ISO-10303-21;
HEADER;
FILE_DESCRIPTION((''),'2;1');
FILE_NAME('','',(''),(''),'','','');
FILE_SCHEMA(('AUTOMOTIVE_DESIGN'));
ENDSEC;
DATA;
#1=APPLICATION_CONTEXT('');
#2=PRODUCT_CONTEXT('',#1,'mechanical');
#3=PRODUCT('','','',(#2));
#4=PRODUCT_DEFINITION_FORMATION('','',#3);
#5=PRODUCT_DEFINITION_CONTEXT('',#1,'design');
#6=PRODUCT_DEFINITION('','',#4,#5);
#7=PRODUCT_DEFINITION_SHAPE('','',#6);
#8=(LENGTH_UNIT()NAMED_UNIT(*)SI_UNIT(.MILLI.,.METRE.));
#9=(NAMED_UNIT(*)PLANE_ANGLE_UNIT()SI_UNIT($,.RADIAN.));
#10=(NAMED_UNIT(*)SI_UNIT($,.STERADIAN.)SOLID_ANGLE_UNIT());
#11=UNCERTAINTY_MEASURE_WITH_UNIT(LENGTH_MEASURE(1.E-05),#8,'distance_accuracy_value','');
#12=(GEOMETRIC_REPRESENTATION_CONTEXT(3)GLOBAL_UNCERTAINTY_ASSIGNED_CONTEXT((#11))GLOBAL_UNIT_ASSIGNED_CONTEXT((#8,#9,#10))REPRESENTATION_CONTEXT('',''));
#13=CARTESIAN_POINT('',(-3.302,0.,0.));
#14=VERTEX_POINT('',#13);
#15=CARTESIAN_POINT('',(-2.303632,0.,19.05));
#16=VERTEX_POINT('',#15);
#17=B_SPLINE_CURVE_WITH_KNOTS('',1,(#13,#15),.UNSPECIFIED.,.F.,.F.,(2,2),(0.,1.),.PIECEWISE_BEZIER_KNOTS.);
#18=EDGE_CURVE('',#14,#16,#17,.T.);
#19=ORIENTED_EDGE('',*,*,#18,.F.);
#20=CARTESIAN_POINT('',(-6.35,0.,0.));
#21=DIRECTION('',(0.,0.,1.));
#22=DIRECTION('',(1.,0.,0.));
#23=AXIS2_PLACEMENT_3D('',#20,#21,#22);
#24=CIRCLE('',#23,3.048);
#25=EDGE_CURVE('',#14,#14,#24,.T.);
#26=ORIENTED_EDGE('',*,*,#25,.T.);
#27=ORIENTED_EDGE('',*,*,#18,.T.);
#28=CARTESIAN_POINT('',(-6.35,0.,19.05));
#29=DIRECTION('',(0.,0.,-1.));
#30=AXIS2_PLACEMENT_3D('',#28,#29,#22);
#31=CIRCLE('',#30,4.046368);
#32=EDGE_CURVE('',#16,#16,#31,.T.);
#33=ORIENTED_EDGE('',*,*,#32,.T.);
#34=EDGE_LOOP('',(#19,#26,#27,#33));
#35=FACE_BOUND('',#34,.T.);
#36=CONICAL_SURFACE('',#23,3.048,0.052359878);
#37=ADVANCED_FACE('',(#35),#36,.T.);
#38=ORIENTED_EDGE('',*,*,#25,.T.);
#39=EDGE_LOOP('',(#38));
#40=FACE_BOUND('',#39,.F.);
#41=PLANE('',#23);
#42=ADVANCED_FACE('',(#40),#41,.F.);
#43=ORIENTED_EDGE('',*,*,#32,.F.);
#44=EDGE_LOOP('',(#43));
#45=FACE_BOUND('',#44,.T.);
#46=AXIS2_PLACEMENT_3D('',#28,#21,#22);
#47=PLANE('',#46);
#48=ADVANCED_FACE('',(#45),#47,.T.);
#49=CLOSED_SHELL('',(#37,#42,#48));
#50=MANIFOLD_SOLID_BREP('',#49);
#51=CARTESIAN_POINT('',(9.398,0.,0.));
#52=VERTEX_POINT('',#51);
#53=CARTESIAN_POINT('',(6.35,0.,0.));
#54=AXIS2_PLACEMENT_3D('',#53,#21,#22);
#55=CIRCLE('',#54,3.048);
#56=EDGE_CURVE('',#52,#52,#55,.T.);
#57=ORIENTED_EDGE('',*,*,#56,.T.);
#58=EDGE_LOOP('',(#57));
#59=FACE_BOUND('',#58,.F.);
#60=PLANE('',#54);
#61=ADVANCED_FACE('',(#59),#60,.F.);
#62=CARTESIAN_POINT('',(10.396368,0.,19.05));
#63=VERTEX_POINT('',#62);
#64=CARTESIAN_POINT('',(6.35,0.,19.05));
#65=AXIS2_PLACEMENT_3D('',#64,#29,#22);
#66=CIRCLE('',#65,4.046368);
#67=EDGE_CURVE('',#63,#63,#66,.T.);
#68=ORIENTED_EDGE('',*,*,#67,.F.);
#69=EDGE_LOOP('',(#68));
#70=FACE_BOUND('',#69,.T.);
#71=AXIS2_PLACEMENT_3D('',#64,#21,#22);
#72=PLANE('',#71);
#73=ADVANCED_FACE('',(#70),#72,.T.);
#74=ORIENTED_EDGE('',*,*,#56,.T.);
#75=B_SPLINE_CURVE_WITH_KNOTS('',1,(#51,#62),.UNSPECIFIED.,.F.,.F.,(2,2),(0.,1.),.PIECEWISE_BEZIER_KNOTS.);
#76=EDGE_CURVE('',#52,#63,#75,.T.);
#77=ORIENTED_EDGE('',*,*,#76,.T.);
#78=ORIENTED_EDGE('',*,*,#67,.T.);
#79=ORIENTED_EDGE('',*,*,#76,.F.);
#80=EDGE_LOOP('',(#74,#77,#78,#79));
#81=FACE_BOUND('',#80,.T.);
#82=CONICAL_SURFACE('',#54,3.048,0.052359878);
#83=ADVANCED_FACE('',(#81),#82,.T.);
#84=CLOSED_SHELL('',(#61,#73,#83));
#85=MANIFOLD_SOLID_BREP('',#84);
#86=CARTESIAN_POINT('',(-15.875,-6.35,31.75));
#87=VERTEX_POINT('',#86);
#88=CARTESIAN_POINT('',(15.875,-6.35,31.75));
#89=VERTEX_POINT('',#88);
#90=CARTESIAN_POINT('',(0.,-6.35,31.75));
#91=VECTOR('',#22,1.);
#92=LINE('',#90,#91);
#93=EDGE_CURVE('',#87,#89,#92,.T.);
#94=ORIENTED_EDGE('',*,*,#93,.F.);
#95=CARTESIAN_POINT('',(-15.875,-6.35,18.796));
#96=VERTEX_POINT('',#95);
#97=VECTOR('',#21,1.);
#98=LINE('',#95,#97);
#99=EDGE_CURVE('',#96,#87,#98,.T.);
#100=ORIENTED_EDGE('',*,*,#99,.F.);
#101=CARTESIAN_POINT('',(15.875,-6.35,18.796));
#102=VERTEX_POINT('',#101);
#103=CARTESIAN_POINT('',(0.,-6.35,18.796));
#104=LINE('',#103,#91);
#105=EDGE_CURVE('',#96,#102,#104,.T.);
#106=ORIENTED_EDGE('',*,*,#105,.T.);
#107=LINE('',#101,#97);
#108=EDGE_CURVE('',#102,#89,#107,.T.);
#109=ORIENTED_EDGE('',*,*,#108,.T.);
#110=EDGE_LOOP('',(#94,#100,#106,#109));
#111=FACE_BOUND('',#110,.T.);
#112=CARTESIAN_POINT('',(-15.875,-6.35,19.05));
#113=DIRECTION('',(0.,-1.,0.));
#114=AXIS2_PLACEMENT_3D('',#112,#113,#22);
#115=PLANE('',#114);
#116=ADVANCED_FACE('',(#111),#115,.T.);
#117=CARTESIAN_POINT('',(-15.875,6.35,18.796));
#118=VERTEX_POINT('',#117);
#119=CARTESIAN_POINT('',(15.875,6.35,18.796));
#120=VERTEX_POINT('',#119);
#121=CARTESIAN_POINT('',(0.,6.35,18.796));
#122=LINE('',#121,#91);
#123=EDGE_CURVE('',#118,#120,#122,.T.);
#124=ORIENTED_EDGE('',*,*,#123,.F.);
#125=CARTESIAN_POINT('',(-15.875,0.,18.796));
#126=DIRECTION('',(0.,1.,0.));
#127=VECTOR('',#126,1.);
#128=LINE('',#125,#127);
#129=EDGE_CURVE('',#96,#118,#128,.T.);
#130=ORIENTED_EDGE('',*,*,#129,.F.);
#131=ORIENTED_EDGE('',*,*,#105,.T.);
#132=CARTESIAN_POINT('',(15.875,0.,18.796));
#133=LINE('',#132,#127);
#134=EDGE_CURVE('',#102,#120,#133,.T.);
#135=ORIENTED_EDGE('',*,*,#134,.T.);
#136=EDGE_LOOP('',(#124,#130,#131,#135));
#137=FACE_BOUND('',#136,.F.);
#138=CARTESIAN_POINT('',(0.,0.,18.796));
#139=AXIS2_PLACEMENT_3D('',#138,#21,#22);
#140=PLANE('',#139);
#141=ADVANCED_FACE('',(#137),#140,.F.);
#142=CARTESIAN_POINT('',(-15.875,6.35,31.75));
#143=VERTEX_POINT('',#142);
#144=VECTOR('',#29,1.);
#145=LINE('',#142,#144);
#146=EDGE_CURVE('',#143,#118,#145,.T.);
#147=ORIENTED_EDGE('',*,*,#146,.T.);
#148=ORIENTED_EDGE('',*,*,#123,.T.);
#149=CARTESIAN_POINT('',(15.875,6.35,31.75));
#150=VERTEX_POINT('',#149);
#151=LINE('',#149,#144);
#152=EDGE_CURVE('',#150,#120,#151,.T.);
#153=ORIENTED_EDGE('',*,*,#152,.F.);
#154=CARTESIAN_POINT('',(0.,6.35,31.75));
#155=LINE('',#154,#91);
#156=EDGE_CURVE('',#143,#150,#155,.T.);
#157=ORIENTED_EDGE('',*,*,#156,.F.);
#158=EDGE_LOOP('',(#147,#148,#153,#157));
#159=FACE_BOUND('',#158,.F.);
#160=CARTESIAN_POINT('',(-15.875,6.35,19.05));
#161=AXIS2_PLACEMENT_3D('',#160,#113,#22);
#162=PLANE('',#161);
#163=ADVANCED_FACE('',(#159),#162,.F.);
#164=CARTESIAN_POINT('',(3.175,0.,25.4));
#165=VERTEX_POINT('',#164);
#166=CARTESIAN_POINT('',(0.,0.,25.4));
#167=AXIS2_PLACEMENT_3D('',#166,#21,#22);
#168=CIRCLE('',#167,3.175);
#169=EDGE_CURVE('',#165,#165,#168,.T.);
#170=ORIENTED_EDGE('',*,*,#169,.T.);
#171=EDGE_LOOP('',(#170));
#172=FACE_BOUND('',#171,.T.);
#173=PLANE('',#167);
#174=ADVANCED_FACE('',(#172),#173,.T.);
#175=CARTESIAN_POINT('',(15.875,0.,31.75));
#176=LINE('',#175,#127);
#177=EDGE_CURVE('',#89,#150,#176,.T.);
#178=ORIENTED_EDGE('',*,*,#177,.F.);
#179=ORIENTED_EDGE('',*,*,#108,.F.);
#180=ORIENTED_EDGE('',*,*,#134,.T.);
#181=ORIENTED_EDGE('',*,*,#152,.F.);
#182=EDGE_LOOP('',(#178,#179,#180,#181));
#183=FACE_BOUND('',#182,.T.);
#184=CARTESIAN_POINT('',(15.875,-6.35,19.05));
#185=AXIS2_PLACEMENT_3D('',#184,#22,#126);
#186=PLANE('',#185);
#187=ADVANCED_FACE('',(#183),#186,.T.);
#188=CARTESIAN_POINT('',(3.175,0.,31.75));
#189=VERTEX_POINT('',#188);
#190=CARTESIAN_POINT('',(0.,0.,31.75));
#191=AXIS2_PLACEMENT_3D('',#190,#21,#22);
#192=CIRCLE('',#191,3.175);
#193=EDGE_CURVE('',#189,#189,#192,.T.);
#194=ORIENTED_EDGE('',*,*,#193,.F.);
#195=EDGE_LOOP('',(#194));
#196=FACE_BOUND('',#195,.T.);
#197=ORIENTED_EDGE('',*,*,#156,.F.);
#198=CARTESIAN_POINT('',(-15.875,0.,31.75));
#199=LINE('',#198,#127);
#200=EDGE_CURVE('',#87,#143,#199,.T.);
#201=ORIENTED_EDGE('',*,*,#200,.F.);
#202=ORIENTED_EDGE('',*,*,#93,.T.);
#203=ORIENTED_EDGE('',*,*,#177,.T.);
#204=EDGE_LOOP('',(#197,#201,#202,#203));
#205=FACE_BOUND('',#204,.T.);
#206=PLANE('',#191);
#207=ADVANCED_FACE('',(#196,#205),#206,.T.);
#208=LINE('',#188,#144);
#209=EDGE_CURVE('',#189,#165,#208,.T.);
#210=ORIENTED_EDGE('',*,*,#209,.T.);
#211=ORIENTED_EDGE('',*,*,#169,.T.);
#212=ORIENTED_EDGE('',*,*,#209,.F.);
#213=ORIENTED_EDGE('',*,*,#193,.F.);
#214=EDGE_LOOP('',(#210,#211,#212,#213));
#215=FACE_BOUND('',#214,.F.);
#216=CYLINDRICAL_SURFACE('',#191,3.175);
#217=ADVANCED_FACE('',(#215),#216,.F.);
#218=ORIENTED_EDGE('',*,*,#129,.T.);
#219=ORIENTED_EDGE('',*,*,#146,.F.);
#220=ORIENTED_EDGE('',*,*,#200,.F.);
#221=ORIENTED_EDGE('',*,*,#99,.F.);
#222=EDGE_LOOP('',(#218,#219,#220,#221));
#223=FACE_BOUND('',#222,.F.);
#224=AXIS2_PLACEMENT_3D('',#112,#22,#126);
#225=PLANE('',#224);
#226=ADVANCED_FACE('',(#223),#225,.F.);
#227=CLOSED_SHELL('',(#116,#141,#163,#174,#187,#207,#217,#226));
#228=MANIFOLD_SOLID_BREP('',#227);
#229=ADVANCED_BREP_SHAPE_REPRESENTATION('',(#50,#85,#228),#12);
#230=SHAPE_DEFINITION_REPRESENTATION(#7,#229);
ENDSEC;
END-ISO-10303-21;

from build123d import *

# Parameters (mm, degrees)
F0_R          = 3.048
F1_DEPTH      = 19.05
F1_TAPER      = -3
F2_W          = 31.75
F2_H          = 12.7
F3_DEPTH      = 12.7
F3_DEPTH_BACK = 0.254
F4_R          = 3.175
F5_DEPTH      = 6.35


with BuildPart() as f1:
    # F0 (on Top) → F1 (new body)
    with BuildSketch(Plane.XY):
        with Locations((6.35, 0)):
            Circle(F0_R)
    extrude(amount=F1_DEPTH, taper=F1_TAPER)


with BuildPart() as f1b:
    # F0 (on Top) → F1, piece 2 (new body)
    with BuildSketch(Plane.XY):
        with Locations((-6.35, 0)):
            Circle(F0_R)
    extrude(amount=F1_DEPTH, taper=F1_TAPER)


with BuildPart() as f3:
    # F2 (on face) → F3 (new body, two sides)
    with BuildSketch(Plane.XY.offset(19.05)) as f3_sk:
        Rectangle(F2_W, F2_H)
    extrude(amount=F3_DEPTH)
    extrude(f3_sk.sketch, amount=-F3_DEPTH_BACK)

    # F4 (on face) → F5 (cut)
    with BuildSketch(Plane.XY.offset(31.75)):
        Circle(F4_R)
    extrude(amount=-F5_DEPTH, mode=Mode.SUBTRACT)


solid = Compound([f1.part, f1b.part, f3.part])
